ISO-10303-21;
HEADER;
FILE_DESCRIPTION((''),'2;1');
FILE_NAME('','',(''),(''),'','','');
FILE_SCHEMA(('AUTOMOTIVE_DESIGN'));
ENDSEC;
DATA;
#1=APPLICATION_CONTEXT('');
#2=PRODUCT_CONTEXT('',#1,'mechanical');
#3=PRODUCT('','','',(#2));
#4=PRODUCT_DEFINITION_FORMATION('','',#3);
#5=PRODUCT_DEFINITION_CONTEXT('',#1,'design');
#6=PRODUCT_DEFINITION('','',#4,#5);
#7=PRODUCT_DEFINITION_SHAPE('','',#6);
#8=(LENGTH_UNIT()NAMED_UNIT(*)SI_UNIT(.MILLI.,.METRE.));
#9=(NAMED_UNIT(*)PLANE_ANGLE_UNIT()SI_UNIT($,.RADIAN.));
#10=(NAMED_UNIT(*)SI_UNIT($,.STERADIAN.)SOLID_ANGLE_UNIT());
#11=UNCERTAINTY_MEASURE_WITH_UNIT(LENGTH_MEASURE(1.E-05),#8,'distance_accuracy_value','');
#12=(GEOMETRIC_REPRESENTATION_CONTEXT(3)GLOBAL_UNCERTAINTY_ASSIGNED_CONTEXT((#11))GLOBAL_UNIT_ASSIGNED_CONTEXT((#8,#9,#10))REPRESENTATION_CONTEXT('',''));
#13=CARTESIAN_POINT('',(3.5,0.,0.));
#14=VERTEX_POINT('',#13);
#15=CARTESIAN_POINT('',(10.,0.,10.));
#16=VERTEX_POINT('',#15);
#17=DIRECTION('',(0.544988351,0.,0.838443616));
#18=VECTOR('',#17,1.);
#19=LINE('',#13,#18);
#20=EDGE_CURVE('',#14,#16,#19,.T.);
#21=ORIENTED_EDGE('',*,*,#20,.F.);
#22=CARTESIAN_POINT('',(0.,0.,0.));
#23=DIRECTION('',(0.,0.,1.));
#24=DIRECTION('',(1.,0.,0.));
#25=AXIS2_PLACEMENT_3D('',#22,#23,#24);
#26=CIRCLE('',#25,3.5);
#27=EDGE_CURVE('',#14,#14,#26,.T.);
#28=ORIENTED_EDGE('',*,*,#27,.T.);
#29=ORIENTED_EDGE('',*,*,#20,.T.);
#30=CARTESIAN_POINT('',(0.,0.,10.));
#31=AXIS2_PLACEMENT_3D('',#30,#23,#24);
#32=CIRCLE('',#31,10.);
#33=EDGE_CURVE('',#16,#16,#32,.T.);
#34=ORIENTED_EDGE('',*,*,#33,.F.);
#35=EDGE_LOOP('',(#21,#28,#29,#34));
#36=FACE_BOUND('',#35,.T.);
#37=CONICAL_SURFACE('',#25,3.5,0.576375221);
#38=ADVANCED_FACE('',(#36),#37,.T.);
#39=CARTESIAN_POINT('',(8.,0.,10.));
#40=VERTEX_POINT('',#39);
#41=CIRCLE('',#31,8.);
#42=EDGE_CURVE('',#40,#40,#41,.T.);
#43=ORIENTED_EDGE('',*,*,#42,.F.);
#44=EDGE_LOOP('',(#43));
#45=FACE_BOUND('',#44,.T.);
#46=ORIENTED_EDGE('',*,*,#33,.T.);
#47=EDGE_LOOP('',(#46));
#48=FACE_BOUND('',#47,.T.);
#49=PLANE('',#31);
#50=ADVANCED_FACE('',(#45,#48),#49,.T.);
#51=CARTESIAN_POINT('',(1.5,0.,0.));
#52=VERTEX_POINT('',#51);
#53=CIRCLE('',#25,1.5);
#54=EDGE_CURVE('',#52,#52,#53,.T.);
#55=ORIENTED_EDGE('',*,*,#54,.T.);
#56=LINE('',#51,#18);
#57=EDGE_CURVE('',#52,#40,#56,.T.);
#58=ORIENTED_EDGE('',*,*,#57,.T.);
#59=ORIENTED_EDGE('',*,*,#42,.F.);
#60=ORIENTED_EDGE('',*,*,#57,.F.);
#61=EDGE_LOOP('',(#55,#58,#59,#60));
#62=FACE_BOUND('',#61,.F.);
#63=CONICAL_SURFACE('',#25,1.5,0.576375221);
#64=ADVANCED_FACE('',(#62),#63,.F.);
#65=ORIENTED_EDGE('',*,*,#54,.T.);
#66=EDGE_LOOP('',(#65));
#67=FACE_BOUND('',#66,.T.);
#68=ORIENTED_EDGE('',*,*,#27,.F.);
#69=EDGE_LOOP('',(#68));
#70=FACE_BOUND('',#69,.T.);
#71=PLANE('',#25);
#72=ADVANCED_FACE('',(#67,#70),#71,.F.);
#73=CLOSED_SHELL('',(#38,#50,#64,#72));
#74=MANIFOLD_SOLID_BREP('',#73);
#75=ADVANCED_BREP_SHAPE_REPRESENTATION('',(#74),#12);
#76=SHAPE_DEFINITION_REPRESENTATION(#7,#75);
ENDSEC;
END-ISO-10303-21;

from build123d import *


with BuildPart() as screwshape:
    # Cone001 → Cone001 (revolve)
    with BuildSketch(Plane.XZ):
        Polygon((0, 0), (1.5, 0), (8, 10), (0, 10), align=None)
    revolve(axis=Axis((0, 0, 0), (0, 0, 1)))


with BuildPart() as coneforservoholder:
    # Cone → Cone (revolve)
    with BuildSketch(Plane.XZ):
        Polygon((0, 0), (3.5, 0), (10, 10), (0, 10), align=None)
    revolve(axis=Axis((0, 0, 0), (0, 0, 1)))

    # Cut: cut screwShape
    add(screwshape.part, mode=Mode.SUBTRACT)


solid = coneforservoholder.part
